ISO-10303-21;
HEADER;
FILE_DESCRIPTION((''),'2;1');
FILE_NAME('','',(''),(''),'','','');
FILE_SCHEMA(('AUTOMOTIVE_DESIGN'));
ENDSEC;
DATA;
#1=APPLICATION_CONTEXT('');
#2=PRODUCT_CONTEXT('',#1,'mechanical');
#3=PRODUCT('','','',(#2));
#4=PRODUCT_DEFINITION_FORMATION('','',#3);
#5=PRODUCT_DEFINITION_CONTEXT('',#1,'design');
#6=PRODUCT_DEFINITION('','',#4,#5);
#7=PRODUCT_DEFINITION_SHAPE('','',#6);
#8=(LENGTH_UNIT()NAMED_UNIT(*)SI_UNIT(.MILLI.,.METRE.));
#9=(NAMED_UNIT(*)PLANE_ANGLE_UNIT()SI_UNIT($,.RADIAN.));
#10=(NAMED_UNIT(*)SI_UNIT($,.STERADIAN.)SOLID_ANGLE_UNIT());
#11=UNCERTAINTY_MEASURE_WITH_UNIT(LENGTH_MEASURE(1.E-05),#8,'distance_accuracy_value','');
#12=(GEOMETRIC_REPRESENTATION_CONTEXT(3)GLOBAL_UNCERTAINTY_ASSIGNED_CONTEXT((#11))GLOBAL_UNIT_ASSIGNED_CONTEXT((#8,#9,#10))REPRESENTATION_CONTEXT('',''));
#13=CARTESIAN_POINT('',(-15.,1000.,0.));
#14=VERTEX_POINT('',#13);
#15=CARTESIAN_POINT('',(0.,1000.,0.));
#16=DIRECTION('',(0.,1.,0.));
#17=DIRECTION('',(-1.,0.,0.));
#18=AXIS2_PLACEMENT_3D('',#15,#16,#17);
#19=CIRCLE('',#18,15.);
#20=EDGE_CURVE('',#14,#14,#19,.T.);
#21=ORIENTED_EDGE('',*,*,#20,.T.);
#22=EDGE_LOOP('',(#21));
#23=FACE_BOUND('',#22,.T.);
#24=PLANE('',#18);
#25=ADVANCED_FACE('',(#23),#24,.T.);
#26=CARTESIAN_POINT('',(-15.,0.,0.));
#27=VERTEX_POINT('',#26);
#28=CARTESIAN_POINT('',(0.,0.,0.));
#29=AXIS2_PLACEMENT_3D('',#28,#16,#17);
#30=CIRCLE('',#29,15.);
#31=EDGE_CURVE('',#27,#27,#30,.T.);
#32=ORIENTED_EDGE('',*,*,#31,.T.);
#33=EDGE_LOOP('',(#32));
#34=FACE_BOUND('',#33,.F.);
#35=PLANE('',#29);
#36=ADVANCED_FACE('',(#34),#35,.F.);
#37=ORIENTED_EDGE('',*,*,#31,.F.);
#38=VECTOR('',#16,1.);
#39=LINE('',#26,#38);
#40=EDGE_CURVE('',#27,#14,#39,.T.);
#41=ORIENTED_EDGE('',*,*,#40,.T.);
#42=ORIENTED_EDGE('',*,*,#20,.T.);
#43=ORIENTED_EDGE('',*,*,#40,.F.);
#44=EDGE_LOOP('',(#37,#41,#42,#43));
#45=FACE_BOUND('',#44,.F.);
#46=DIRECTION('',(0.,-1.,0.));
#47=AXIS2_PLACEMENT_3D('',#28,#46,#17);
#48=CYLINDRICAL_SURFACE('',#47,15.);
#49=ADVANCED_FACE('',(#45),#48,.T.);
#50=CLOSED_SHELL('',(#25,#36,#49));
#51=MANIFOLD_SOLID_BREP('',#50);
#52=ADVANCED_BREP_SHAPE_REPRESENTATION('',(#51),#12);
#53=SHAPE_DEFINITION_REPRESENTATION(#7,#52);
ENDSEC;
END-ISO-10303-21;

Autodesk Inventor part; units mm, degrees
ref_plane "YZ Plane" through (0, 0, 0) normal (1, 0, 0) x (0, 1, 0)
ref_plane "XZ Plane" through (0, 0, 0) normal (0, 1, 0) x (-1, 0, 0)
ref_plane "XY Plane" through (0, 0, 0) normal (0, 0, 1) x (1, 0, 0)
sketch "Esboço1" plane through (0, 0, 0) normal (0, 1, 0) x (-1, 0, 0)
  circle A0 centre (0, 0) radius 15
  dimension "d0" = 30
extrude "Extrusão1" add sketch "Esboço1" along normal blind 1000
properties part number "Eixo"
